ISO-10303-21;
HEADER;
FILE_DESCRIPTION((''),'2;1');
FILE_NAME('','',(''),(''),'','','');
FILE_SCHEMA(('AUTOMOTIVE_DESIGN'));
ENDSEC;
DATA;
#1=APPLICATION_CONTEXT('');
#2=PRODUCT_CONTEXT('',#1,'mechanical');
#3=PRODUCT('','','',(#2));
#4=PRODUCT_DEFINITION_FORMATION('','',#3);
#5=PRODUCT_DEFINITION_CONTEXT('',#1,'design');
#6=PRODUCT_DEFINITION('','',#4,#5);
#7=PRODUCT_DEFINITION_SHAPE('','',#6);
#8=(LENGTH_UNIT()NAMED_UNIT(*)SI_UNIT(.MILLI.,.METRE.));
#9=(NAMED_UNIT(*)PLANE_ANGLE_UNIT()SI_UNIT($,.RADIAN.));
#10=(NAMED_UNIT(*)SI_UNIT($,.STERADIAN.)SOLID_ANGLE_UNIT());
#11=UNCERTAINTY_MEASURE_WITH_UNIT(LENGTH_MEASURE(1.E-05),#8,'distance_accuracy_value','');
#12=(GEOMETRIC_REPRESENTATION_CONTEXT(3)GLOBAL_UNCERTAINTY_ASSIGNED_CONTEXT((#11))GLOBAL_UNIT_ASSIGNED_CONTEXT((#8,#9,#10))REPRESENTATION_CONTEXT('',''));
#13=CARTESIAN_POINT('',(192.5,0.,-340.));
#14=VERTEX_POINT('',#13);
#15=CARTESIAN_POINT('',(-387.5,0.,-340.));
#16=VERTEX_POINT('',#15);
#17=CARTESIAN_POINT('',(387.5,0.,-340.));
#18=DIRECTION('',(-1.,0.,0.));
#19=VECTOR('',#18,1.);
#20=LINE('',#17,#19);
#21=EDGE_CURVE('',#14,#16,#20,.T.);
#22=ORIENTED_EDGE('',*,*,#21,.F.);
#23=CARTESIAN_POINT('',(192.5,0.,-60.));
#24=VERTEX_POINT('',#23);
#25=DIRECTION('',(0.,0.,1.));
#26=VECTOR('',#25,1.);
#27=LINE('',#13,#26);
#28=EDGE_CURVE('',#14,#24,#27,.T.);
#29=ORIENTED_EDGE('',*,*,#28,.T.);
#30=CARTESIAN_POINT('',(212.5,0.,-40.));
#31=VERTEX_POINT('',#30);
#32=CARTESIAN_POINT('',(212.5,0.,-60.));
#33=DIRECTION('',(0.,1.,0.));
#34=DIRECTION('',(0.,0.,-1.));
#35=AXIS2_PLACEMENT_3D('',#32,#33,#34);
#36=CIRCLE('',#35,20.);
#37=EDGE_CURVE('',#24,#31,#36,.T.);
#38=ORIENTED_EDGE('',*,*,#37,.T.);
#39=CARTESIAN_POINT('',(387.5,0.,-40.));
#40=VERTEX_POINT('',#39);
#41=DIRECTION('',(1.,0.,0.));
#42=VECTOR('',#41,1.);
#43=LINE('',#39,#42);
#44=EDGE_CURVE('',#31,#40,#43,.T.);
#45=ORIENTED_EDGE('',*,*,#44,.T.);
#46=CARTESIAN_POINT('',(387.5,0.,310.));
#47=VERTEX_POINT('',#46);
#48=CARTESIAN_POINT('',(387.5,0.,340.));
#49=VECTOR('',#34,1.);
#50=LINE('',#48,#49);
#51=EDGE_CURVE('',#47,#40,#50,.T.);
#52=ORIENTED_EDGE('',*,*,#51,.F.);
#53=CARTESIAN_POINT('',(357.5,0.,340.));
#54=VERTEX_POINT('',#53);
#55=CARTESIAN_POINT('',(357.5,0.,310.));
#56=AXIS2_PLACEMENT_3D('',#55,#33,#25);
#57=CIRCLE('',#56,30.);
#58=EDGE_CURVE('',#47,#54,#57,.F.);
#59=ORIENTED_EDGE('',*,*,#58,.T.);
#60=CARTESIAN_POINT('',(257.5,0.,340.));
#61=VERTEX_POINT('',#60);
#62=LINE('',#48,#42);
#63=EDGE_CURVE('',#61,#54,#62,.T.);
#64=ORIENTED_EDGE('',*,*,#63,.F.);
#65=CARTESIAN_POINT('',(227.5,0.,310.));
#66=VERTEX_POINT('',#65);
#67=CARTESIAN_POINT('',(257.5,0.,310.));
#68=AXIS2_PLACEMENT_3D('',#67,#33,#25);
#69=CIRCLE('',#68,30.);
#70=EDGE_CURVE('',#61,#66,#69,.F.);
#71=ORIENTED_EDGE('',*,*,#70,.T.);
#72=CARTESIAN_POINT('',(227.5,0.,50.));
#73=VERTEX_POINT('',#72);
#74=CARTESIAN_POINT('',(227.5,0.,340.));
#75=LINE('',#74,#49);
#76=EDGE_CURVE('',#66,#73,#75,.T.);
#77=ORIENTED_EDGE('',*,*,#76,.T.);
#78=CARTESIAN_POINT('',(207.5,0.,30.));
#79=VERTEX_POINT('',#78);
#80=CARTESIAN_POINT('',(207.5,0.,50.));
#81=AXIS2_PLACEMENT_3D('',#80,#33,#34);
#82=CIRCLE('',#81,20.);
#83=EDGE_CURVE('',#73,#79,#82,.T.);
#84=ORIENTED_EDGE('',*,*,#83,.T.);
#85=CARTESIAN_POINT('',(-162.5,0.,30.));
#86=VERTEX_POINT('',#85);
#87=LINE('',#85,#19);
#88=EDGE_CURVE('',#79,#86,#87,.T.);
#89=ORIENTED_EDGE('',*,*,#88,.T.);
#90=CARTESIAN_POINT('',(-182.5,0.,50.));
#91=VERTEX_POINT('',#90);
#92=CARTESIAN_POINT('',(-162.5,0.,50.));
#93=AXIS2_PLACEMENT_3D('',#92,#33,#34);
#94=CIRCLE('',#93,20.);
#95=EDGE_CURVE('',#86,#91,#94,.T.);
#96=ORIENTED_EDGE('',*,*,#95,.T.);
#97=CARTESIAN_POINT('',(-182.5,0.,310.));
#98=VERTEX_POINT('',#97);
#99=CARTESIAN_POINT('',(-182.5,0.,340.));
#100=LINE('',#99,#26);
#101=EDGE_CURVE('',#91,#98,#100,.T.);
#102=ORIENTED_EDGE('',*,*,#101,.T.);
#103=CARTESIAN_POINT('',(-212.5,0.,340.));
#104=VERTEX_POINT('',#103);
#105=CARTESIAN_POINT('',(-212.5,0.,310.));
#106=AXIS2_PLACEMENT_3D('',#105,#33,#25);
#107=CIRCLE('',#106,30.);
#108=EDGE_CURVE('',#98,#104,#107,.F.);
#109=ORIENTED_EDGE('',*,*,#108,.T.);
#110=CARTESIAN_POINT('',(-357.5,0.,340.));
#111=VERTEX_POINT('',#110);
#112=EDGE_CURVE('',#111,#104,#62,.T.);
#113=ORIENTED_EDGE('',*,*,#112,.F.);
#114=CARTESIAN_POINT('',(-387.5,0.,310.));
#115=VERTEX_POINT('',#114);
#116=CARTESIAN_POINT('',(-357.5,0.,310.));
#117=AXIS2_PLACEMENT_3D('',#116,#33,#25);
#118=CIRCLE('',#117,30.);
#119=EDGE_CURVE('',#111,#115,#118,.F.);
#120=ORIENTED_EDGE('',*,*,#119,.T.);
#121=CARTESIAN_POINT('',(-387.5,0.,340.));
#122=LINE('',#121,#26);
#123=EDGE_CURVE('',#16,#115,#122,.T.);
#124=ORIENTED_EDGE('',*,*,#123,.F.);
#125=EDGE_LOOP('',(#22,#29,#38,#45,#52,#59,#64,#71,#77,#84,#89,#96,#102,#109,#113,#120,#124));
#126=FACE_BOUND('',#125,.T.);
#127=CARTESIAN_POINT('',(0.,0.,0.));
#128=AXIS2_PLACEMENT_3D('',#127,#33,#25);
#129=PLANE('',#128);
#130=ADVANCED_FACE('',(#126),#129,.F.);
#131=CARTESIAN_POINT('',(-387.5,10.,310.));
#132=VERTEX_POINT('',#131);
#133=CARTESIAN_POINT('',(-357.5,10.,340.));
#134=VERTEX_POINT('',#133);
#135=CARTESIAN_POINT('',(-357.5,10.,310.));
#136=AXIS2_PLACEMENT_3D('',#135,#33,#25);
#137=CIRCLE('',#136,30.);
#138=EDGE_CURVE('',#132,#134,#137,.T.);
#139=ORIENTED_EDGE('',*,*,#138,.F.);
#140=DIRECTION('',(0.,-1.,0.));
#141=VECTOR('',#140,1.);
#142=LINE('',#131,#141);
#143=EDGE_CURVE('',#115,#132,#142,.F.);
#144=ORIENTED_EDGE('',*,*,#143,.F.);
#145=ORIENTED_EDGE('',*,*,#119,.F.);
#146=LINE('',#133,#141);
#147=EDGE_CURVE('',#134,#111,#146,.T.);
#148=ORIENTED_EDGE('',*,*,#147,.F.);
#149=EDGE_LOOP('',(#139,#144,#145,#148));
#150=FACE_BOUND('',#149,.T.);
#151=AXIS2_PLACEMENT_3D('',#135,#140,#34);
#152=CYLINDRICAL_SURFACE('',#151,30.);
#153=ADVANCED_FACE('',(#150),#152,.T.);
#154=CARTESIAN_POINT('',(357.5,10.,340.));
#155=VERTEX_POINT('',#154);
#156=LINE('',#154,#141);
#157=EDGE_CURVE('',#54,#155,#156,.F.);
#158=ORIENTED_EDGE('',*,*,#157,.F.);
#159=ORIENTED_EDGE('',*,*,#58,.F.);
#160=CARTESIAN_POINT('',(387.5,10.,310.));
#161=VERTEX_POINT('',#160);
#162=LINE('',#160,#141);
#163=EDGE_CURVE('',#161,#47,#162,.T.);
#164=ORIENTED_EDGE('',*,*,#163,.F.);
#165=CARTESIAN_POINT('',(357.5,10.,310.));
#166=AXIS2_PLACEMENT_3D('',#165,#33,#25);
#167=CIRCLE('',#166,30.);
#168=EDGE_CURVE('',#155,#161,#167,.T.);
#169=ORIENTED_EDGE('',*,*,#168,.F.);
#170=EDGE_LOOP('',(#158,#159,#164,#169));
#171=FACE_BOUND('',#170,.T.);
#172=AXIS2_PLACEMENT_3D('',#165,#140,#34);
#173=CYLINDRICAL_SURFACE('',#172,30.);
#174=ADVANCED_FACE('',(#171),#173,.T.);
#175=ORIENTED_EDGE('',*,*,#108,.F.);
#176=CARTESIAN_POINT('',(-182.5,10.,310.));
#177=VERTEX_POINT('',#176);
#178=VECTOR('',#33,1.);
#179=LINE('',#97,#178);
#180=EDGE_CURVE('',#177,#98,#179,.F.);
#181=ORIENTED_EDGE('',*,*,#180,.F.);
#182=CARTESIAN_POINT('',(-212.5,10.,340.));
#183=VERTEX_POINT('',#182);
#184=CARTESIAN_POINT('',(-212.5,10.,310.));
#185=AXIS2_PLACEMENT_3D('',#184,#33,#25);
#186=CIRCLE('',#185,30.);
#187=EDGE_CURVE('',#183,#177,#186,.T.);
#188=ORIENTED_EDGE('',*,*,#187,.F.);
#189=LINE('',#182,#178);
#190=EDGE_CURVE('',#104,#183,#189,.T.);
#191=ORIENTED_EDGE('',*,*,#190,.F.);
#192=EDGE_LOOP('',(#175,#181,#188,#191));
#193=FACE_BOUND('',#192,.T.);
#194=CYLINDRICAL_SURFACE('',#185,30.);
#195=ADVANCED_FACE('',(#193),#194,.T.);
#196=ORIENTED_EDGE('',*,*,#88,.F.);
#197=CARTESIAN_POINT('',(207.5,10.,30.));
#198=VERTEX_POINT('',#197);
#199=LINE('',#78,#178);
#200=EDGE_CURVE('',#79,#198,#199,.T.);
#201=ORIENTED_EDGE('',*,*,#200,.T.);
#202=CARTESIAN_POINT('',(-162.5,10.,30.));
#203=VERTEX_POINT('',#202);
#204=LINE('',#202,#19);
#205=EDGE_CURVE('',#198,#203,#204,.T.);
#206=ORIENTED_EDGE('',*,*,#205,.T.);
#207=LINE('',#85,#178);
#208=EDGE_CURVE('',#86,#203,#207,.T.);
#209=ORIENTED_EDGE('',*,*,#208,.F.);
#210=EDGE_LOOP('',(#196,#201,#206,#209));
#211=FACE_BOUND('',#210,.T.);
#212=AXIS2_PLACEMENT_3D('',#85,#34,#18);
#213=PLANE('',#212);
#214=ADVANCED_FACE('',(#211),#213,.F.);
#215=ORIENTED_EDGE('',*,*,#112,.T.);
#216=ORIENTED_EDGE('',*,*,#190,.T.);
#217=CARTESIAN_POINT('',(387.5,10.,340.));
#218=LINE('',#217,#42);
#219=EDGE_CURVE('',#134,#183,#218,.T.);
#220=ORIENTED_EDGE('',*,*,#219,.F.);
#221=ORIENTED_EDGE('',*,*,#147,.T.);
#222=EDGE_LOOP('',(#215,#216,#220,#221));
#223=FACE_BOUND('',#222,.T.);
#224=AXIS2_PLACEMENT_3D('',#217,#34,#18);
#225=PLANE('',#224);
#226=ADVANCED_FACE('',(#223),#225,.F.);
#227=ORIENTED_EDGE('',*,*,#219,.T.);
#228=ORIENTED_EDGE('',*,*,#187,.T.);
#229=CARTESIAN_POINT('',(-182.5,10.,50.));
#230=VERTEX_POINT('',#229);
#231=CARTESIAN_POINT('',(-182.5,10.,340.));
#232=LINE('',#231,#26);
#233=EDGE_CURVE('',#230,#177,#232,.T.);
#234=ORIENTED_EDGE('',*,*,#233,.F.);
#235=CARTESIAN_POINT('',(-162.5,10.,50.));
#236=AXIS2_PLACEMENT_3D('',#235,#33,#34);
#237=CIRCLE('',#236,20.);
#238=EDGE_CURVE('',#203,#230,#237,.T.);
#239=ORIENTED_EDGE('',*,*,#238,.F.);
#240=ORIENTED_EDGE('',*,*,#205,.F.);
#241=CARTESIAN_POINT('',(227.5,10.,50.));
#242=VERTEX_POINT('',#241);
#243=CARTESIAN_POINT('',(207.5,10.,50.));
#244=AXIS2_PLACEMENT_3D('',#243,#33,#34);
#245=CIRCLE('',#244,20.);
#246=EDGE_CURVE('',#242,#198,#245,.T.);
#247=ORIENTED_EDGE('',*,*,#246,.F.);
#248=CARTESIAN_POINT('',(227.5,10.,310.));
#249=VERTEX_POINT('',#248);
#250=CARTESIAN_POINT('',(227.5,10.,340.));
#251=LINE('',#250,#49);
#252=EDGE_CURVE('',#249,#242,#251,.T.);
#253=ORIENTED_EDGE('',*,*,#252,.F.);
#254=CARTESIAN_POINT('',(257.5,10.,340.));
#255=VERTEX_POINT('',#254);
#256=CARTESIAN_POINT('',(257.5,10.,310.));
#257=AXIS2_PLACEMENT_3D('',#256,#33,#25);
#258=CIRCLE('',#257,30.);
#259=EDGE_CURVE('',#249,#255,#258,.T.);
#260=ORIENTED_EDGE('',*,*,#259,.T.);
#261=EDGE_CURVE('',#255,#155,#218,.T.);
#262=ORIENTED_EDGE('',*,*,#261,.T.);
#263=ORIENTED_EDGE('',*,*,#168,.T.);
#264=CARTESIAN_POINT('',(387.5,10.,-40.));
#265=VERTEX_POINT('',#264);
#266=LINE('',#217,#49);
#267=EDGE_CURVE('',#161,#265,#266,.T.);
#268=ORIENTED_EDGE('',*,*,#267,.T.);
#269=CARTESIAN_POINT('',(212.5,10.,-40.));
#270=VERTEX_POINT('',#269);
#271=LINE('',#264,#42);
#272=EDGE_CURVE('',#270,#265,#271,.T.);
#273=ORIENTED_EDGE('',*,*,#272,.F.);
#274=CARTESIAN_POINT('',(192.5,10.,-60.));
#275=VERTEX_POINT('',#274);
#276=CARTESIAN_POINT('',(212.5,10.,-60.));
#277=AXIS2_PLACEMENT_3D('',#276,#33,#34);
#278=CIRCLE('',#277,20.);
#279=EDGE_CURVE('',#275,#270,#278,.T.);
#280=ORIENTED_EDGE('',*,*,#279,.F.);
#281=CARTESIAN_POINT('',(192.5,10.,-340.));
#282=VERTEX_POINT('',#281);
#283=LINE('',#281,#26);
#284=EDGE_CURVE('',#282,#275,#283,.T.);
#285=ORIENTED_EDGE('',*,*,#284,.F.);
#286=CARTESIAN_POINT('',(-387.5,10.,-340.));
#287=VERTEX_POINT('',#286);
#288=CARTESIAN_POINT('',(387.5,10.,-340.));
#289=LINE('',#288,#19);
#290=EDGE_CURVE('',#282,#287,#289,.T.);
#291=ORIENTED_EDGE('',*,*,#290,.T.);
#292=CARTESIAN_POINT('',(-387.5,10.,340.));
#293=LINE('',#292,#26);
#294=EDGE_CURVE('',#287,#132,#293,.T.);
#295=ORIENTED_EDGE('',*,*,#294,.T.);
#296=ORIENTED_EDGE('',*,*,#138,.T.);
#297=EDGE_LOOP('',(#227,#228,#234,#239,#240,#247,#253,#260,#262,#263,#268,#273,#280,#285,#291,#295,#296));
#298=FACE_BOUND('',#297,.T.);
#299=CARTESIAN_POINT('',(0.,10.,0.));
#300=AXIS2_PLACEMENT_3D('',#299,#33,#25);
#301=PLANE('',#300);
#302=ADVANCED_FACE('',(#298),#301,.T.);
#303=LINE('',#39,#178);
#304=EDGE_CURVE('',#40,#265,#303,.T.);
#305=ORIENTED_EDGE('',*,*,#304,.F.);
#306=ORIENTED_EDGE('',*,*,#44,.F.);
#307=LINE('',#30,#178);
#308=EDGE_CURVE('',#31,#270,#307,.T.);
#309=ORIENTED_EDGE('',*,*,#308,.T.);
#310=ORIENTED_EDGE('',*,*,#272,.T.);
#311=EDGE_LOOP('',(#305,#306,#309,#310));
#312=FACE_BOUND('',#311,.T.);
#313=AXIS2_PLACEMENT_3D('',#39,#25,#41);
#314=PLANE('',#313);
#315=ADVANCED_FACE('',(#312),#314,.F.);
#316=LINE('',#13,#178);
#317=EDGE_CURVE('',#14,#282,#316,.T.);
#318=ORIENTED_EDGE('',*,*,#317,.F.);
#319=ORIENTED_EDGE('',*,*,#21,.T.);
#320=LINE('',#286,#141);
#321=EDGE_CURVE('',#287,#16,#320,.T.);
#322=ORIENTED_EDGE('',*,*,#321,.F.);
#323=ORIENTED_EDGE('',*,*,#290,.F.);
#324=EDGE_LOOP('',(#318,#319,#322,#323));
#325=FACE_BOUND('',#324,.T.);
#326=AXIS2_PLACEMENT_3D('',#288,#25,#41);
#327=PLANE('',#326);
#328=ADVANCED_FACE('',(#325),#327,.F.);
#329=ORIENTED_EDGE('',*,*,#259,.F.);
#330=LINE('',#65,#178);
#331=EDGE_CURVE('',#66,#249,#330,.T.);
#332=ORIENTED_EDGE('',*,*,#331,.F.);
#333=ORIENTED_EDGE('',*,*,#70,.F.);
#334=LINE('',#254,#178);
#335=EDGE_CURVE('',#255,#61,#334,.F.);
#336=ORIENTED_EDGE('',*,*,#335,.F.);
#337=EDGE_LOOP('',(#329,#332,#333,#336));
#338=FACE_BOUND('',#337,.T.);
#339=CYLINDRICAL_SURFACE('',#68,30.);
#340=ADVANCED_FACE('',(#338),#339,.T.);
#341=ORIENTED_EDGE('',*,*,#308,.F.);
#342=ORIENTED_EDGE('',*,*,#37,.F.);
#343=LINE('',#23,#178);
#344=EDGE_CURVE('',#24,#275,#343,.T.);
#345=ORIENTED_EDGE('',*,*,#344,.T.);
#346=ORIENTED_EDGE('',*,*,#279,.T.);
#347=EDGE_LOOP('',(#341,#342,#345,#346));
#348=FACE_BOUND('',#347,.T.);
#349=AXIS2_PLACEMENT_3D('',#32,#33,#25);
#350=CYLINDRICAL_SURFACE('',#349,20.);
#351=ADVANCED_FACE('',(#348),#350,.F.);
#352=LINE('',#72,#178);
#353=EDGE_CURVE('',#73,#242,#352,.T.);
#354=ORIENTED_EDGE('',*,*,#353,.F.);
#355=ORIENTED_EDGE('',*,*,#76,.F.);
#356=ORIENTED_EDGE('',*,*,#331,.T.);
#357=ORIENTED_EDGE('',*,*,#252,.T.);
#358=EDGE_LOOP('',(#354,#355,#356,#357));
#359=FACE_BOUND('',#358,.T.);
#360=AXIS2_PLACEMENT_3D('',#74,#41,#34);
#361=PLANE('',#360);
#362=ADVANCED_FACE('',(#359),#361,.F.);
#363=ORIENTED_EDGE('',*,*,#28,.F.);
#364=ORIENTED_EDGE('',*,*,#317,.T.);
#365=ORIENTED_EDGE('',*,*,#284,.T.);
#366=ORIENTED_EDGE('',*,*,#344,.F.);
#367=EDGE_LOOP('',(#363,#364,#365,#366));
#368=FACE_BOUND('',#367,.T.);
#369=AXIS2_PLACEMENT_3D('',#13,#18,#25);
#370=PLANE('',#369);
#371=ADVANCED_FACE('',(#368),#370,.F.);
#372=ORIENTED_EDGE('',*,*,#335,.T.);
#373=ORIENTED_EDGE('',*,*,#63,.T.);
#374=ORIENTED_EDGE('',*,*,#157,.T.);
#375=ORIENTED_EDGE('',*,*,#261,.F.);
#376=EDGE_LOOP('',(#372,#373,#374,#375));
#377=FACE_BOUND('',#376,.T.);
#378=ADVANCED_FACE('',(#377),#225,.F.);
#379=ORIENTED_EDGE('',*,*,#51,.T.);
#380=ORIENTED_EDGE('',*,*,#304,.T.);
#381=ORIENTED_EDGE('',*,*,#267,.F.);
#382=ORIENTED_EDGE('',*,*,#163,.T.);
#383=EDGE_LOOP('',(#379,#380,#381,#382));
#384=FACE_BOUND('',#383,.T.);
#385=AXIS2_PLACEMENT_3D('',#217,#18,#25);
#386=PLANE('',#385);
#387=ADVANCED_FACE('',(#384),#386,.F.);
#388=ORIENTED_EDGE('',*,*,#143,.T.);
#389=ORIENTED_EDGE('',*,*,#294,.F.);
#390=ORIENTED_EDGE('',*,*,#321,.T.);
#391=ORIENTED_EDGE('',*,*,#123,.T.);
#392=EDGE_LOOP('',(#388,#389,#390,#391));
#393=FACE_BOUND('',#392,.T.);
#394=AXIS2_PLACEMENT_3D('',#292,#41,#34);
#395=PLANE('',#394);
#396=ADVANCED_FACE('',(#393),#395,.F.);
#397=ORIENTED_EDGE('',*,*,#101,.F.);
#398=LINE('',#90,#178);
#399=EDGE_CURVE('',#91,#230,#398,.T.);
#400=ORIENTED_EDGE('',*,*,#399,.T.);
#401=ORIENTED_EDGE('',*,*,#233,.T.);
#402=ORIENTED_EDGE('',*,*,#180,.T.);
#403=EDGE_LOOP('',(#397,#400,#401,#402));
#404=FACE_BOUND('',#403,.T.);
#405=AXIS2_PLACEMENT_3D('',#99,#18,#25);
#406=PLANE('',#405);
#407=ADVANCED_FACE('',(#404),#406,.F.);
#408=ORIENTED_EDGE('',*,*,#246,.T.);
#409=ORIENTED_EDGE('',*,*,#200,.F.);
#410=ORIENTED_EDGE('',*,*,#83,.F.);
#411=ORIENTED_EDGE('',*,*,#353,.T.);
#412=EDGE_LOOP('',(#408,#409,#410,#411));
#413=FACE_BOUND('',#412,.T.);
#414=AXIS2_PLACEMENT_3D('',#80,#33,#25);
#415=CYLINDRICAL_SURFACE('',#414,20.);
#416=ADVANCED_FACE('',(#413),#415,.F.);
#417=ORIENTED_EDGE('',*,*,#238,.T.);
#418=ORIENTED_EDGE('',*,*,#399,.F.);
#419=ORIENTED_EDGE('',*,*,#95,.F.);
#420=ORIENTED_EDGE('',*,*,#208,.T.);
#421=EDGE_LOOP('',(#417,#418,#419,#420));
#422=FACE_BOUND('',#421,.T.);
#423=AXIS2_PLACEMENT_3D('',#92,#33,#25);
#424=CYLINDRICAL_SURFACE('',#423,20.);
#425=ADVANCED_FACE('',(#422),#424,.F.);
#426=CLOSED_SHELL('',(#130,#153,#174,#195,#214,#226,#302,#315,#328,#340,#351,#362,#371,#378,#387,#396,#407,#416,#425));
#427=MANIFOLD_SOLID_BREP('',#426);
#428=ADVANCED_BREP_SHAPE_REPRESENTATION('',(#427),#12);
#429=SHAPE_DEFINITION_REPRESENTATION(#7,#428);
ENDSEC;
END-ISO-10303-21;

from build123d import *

# Parameters (mm, degrees)
ESBO_O1_W                = 775
ESBO_O1_H                = 680
RESSALTO_EXTRUS_O1_DEPTH = 10
CORTE_EXTRUS_O1_DEPTH    = 516.612499848
FILETE1_R                = 30


with BuildPart() as part:
    # Esboço1 → Ressalto-extrusão1 (new body)
    with BuildSketch(Plane(origin=(0, 0, 0), x_dir=(1, 0, 0), z_dir=(0, 1, 0))):
        Rectangle(ESBO_O1_W, ESBO_O1_H)
    extrude(amount=RESSALTO_EXTRUS_O1_DEPTH)

    # Esboço2 → Corte-extrusão1 (cut, through all)
    with BuildSketch(Plane(origin=(0, 10, 0), x_dir=(1, 0, 0), z_dir=(0, 1, 0))):
        with BuildLine():
            Line((387.5, 340), (192.5, 340))
            Line((192.5, 340), (192.5, 60))
            ThreePointArc((192.5, 60), (198.357864376, 45.857864376), (212.5, 40))
            Line((212.5, 40), (387.5, 40))
            Line((387.5, 40), (387.5, 340))
        make_face()
        with BuildLine():
            Line((-182.5, -340), (227.5, -340))
            Line((227.5, -340), (227.5, -50))
            ThreePointArc((227.5, -50), (221.642135624, -35.857864376), (207.5, -30))
            Line((207.5, -30), (-162.5, -30))
            ThreePointArc((-162.5, -30), (-176.642135624, -35.857864376), (-182.5, -50))
            Line((-182.5, -50), (-182.5, -340))
        make_face()
    extrude(amount=-CORTE_EXTRUS_O1_DEPTH, mode=Mode.SUBTRACT)

    # Filete1
    filete1_edges = [part.edges().sort_by_distance(p)[0] for p in [
        (-182.5, 5, 340),
        (227.5, 5, 340),
        (387.5, 5, 340),
        (-387.5, 5, 340),
    ]]
    fillet(filete1_edges, radius=FILETE1_R)


solid = part.part
